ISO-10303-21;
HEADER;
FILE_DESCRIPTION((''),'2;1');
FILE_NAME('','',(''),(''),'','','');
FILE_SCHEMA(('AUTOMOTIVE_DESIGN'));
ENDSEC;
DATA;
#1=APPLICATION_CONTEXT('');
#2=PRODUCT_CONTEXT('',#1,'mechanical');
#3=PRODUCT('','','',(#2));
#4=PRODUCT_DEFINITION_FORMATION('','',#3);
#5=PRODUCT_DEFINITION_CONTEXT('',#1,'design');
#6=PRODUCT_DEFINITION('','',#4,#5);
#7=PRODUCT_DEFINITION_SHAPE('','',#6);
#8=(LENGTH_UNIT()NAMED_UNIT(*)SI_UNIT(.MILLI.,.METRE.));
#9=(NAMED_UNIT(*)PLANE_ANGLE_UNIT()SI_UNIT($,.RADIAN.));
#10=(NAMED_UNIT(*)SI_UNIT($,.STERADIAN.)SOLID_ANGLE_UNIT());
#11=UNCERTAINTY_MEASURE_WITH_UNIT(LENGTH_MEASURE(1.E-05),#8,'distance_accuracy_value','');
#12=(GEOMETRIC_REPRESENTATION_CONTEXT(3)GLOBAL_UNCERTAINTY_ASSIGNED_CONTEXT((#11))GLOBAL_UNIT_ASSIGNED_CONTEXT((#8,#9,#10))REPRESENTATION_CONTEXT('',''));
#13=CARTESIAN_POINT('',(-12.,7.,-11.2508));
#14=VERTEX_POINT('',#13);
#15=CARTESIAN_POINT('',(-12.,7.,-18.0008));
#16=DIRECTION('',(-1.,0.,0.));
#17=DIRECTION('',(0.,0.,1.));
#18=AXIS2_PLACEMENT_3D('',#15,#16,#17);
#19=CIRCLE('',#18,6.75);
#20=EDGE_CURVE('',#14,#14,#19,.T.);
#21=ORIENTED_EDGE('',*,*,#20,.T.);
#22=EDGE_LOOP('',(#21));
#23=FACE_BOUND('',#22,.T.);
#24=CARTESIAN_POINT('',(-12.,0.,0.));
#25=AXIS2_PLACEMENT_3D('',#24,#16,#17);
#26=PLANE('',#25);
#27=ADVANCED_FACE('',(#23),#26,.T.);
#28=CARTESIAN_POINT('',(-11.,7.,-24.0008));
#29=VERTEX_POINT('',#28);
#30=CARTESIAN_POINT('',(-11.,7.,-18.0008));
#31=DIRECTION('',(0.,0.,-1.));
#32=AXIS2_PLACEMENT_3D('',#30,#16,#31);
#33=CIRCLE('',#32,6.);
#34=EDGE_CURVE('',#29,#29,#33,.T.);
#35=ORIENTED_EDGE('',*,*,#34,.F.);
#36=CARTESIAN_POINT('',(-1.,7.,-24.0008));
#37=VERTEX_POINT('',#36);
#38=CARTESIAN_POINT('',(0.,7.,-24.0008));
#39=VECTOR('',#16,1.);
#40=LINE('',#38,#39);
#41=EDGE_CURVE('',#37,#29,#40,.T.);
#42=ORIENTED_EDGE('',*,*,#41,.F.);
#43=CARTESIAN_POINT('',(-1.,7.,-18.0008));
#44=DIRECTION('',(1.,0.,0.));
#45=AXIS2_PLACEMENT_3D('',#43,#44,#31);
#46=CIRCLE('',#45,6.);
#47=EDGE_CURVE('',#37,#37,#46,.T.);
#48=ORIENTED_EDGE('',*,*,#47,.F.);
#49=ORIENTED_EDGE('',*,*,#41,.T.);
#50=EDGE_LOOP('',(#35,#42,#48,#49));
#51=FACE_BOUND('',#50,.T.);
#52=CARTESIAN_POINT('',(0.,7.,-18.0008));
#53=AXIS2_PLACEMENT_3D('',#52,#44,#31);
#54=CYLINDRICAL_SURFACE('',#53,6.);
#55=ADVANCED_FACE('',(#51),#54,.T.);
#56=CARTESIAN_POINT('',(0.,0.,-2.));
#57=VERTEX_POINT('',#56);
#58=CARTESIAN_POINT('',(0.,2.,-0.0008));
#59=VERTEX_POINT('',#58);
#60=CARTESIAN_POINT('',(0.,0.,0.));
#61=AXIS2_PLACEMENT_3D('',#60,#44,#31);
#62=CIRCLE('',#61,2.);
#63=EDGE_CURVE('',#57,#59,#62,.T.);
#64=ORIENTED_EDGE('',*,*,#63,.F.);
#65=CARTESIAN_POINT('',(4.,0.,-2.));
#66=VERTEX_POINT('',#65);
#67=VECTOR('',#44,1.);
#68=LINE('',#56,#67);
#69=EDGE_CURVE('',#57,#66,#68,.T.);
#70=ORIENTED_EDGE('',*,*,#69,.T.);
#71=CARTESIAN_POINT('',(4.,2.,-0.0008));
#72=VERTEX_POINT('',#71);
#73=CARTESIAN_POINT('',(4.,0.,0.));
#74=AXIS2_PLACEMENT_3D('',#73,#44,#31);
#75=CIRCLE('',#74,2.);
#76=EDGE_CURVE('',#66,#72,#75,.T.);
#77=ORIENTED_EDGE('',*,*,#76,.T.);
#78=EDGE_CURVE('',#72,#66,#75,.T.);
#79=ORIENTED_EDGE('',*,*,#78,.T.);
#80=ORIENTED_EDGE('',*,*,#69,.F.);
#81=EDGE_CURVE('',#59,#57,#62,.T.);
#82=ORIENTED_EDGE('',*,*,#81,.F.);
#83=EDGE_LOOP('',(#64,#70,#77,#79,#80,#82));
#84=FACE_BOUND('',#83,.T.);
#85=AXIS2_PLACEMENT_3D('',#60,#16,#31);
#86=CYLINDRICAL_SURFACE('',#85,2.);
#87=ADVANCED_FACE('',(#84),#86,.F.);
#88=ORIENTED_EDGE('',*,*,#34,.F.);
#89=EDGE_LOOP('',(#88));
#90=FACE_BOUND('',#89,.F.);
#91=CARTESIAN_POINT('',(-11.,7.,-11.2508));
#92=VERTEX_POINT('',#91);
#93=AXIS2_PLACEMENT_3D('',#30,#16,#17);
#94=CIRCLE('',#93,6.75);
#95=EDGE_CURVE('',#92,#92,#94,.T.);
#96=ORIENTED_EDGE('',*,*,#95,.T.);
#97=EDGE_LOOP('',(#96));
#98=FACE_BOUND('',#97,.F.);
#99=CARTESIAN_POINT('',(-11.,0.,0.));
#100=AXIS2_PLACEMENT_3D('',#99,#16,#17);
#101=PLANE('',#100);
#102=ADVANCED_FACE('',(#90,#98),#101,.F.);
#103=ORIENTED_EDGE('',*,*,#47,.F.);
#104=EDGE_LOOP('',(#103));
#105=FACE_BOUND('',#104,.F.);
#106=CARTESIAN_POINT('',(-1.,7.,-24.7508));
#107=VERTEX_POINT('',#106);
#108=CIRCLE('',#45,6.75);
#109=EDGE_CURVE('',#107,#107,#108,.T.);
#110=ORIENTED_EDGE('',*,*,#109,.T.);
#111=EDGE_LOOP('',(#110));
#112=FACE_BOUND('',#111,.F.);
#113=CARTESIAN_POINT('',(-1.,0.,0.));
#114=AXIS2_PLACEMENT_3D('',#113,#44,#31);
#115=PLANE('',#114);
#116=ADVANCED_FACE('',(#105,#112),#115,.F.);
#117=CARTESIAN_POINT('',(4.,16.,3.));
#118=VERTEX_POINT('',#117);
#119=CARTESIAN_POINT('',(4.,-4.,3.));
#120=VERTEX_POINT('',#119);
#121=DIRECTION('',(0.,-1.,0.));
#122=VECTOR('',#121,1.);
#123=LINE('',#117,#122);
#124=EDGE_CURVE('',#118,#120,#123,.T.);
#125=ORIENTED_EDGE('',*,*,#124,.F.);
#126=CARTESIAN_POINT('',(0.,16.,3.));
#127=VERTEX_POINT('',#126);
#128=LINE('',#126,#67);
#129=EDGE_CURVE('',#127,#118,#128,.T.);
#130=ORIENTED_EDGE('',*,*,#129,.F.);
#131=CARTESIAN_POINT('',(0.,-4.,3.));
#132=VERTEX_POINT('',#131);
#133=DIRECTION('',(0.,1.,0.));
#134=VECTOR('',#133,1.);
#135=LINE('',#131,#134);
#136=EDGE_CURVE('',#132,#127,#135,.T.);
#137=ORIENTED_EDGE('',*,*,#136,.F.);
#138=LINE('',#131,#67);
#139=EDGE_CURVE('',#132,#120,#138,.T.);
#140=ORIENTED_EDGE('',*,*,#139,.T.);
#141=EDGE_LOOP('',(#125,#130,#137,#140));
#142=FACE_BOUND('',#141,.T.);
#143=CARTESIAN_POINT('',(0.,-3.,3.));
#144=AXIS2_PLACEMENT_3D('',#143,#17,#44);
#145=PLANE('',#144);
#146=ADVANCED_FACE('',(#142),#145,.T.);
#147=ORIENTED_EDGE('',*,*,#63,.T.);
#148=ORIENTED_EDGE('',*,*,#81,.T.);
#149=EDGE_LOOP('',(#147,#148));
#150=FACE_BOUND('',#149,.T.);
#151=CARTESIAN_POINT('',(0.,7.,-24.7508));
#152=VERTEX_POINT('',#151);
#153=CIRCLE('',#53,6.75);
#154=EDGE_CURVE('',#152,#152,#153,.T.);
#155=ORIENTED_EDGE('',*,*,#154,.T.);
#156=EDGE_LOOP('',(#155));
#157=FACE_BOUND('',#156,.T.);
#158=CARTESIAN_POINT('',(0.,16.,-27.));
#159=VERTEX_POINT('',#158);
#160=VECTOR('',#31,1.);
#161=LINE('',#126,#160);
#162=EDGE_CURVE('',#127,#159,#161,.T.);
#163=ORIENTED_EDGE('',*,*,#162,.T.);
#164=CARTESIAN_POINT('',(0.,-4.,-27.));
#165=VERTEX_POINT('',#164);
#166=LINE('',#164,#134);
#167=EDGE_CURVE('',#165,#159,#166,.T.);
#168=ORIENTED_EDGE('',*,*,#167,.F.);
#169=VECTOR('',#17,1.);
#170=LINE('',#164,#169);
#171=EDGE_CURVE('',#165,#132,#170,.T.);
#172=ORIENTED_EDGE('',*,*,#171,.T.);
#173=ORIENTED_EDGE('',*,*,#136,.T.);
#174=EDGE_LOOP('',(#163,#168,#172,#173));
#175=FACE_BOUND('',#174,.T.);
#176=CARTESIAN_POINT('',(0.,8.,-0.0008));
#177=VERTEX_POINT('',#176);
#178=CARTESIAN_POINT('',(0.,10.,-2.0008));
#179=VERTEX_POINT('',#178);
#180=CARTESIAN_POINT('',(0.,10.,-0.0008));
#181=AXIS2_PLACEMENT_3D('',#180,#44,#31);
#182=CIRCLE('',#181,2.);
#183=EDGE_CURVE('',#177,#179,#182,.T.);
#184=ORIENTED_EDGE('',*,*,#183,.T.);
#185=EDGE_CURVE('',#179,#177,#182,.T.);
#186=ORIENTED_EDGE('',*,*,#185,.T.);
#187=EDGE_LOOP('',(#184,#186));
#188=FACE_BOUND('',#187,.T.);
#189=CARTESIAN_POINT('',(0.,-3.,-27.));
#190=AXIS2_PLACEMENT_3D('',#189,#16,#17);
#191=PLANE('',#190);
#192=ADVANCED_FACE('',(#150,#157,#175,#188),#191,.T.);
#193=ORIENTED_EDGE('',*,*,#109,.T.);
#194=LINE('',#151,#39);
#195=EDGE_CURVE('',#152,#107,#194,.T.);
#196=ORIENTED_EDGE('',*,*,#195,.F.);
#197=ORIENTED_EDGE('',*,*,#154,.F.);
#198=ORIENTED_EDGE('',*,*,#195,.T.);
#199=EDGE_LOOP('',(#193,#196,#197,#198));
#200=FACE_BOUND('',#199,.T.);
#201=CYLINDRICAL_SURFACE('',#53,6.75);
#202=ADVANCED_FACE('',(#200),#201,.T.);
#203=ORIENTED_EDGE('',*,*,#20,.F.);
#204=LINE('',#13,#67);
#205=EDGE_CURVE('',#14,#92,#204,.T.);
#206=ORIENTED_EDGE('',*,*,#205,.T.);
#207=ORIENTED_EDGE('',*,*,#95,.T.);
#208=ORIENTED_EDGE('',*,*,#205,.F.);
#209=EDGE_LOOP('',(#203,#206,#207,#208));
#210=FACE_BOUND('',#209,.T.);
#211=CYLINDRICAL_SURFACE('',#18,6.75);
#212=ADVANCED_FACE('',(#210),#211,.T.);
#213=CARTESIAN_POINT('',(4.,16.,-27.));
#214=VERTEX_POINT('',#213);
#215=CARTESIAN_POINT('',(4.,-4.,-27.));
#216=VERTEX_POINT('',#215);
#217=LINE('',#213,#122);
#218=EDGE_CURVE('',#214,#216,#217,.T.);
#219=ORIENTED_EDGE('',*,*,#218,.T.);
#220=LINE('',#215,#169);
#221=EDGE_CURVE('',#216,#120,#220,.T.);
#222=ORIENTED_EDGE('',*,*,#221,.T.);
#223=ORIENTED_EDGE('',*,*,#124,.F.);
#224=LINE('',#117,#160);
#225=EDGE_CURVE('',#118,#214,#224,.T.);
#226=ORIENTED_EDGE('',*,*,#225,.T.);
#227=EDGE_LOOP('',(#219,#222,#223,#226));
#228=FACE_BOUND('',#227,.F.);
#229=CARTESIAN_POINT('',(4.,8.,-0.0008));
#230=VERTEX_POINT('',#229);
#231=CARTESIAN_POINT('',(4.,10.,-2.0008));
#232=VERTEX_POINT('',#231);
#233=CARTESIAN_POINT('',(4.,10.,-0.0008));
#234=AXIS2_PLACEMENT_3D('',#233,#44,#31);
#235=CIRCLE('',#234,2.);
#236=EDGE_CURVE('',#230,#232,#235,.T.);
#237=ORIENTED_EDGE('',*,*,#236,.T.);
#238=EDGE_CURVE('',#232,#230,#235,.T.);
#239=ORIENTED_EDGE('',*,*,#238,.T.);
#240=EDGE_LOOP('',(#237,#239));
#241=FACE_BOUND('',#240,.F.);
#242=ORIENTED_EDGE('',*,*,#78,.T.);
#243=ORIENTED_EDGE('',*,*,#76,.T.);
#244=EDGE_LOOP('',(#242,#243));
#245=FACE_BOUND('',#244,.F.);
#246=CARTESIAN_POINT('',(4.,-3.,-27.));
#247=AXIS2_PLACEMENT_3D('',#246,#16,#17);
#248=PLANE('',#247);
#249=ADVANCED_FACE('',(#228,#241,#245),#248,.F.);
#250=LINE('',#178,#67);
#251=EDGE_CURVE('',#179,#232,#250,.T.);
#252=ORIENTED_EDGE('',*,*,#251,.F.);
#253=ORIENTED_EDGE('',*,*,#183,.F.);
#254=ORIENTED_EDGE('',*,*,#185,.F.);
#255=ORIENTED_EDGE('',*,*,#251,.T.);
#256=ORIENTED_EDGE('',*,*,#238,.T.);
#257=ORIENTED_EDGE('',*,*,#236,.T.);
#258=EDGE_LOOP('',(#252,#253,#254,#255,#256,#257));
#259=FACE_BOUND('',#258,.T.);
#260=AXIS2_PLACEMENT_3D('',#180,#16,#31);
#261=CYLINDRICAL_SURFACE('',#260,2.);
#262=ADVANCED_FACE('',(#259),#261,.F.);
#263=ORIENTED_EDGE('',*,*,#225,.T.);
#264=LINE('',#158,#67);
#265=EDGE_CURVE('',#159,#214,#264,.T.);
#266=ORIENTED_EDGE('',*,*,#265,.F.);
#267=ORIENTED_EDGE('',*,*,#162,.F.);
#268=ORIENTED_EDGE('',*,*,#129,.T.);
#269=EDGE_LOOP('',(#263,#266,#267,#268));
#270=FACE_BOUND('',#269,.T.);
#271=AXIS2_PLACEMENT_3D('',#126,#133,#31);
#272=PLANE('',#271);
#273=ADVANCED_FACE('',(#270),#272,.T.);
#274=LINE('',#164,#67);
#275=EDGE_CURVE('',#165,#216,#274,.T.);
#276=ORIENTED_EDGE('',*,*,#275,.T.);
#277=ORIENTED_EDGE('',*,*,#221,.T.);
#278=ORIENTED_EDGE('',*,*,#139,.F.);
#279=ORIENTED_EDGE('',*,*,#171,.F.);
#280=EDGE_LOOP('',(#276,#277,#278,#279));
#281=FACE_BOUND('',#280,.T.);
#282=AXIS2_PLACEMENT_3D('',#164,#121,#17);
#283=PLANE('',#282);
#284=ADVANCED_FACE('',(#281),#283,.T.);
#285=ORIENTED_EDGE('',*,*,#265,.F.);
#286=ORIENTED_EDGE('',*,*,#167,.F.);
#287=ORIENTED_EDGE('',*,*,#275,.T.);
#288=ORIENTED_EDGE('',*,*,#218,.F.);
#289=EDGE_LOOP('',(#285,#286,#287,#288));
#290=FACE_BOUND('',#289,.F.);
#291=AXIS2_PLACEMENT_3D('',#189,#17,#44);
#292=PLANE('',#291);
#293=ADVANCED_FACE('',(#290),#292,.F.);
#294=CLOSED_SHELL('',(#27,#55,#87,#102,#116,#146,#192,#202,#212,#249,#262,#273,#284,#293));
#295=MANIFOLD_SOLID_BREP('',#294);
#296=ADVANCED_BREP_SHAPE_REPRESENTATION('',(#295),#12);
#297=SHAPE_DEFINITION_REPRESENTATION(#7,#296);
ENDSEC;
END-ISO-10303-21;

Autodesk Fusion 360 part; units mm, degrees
sketch "Sketch1" plane through (0, 0, 0) normal (1, 0, 0) x (0, 0, -1)
  circle A0 centre (0, 0) radius 2
  line L0 (0.0008, 2) -> (0.0008, 8)
  line L1 (0.0008, 8) -> (0.0008, 10)
  circle A1 centre (0.0008, 10) radius 2
  line L2 (-3, 15) -> (27, 15)
  line L3 (27, 15) -> (27, -3)
  line L4 (27, -3) -> (-3, -3)
  line L5 (-3, -3) -> (-3, 15)
  circle A2 centre (18.0008, 7) radius 6
  circle A3 centre (18.0008, 7) radius 6.75
  dimension "d1" = 4
  dimension "d2" = 6
  dimension "d3" = 2
  dimension "d4" = 4
  dimension "d6" = 30
  dimension "d7" = 18
  dimension "d33" = 12
  dimension "d34" = 13.5
  dimension "d42" = 10
  dimension "d43" = 3
extrude "Extrude1" add sketch "Sketch1" along normal blind 4 contours L2 L3 L4 L5 | A2 | A3
extrude "Extrude2" add 1 faces at (1.3333, 15, -7) along direction (0, 1, 0) blind 1
extrude "Extrude3" add 1 faces at (1.3333, -3, -17) along direction (0, -1, 0) blind 1
extrude "Extrude8" add sketch "Sketch1" against normal blind 12 contours A2
extrude "Extrude9" add sketch "Sketch1" against normal blind 1 contours A3
sketch "Sketch5" plane through (-12, 0, 0) normal (-1, 0, 0) x (0, 0, 1)
  circle A0 centre (-18.0008, 7) radius 6
  circle A1 centre (-18.0008, 7) radius 6.75
  dimension "d39" = 13.5
extrude "Extrude10" add sketch "Sketch5" against normal blind 1
